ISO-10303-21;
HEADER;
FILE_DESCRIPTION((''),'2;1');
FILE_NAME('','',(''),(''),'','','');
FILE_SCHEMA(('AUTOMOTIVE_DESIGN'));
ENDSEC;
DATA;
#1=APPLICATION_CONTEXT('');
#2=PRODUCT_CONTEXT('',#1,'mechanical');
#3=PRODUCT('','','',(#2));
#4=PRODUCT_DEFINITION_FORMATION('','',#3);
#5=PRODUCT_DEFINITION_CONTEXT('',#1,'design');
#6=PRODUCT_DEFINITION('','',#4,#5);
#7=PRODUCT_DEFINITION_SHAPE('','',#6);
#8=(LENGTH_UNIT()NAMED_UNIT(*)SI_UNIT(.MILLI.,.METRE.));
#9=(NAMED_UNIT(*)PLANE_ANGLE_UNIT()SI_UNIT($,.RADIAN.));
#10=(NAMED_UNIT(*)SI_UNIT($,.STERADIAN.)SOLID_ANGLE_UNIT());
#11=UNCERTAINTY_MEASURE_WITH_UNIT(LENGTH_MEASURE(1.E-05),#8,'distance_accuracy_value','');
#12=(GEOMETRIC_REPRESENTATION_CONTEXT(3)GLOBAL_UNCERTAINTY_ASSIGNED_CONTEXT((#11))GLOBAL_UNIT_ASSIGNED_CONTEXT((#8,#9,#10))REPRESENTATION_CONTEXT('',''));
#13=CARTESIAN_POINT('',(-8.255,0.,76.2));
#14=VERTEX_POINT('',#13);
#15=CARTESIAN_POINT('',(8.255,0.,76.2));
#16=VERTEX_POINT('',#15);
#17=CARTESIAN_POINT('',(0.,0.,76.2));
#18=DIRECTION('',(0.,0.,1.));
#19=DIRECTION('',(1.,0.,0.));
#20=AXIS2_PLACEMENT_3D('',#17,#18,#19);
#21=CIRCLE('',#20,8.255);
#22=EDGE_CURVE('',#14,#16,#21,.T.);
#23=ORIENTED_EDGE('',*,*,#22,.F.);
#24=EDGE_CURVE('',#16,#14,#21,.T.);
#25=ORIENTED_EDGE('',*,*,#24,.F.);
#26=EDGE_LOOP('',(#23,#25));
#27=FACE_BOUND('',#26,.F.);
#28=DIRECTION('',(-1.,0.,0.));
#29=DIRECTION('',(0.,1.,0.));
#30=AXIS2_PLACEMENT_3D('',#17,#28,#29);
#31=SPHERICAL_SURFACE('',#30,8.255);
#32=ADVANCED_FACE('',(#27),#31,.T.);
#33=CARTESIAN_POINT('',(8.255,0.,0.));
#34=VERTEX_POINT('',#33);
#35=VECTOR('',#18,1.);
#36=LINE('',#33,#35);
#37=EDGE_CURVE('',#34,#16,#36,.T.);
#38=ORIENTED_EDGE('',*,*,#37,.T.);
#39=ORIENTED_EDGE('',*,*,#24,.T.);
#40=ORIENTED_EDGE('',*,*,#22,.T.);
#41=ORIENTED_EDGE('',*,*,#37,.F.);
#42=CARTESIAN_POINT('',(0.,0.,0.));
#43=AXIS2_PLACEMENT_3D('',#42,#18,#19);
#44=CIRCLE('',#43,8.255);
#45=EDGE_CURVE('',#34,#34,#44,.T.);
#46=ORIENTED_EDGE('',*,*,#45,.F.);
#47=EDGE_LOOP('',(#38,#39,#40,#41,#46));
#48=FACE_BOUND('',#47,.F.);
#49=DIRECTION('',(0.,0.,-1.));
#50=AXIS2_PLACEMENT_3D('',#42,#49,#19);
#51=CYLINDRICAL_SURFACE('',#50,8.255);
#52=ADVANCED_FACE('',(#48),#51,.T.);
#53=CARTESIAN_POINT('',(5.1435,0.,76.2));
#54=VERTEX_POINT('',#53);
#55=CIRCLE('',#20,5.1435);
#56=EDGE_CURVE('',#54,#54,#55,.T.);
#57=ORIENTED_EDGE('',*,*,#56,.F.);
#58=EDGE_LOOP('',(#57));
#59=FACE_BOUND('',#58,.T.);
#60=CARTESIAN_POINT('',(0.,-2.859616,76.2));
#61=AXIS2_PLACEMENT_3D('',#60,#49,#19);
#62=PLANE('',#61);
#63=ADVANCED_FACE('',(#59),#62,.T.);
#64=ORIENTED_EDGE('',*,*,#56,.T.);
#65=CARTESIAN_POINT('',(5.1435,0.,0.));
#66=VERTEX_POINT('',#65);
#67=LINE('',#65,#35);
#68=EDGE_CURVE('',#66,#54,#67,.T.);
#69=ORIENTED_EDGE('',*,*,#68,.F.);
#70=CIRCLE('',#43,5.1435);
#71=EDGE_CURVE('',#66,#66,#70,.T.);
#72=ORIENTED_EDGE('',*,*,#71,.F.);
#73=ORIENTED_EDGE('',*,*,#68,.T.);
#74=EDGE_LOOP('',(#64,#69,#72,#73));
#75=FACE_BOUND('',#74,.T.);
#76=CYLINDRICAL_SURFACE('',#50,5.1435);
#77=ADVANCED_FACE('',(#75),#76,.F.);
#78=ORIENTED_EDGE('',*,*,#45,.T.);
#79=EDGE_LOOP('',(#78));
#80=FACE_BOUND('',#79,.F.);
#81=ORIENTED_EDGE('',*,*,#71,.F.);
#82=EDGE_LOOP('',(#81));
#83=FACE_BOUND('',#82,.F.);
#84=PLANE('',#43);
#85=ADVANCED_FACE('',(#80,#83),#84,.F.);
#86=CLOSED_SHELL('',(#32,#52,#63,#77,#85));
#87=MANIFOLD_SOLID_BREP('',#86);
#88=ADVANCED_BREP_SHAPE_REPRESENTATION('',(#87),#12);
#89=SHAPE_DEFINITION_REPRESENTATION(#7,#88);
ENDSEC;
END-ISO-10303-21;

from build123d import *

# Parameters (mm, degrees)
F0_R     = 8.255
F0_R_2   = 5.1435
F1_DEPTH = 76.2
F3_ANGLE = 180


with BuildPart() as f1:
    # F0 (on Top) → F1 (new body)
    with BuildSketch(Plane.XY):
        Circle(F0_R)
        Circle(F0_R_2, mode=Mode.SUBTRACT)
    extrude(amount=F1_DEPTH)

    # F2 (on face) → F3 (revolve)
    with BuildSketch(Plane.XY.offset(76.2)):
        with BuildLine():
            Line((-8.255, 0), (8.255, 0))
            ThreePointArc((8.255, 0), (0, 8.255), (-8.255, 0))
        make_face()
    revolve(axis=Axis((0, 0, 76.2), (1, 0, 0)), revolution_arc=F3_ANGLE)


solid = f1.part
